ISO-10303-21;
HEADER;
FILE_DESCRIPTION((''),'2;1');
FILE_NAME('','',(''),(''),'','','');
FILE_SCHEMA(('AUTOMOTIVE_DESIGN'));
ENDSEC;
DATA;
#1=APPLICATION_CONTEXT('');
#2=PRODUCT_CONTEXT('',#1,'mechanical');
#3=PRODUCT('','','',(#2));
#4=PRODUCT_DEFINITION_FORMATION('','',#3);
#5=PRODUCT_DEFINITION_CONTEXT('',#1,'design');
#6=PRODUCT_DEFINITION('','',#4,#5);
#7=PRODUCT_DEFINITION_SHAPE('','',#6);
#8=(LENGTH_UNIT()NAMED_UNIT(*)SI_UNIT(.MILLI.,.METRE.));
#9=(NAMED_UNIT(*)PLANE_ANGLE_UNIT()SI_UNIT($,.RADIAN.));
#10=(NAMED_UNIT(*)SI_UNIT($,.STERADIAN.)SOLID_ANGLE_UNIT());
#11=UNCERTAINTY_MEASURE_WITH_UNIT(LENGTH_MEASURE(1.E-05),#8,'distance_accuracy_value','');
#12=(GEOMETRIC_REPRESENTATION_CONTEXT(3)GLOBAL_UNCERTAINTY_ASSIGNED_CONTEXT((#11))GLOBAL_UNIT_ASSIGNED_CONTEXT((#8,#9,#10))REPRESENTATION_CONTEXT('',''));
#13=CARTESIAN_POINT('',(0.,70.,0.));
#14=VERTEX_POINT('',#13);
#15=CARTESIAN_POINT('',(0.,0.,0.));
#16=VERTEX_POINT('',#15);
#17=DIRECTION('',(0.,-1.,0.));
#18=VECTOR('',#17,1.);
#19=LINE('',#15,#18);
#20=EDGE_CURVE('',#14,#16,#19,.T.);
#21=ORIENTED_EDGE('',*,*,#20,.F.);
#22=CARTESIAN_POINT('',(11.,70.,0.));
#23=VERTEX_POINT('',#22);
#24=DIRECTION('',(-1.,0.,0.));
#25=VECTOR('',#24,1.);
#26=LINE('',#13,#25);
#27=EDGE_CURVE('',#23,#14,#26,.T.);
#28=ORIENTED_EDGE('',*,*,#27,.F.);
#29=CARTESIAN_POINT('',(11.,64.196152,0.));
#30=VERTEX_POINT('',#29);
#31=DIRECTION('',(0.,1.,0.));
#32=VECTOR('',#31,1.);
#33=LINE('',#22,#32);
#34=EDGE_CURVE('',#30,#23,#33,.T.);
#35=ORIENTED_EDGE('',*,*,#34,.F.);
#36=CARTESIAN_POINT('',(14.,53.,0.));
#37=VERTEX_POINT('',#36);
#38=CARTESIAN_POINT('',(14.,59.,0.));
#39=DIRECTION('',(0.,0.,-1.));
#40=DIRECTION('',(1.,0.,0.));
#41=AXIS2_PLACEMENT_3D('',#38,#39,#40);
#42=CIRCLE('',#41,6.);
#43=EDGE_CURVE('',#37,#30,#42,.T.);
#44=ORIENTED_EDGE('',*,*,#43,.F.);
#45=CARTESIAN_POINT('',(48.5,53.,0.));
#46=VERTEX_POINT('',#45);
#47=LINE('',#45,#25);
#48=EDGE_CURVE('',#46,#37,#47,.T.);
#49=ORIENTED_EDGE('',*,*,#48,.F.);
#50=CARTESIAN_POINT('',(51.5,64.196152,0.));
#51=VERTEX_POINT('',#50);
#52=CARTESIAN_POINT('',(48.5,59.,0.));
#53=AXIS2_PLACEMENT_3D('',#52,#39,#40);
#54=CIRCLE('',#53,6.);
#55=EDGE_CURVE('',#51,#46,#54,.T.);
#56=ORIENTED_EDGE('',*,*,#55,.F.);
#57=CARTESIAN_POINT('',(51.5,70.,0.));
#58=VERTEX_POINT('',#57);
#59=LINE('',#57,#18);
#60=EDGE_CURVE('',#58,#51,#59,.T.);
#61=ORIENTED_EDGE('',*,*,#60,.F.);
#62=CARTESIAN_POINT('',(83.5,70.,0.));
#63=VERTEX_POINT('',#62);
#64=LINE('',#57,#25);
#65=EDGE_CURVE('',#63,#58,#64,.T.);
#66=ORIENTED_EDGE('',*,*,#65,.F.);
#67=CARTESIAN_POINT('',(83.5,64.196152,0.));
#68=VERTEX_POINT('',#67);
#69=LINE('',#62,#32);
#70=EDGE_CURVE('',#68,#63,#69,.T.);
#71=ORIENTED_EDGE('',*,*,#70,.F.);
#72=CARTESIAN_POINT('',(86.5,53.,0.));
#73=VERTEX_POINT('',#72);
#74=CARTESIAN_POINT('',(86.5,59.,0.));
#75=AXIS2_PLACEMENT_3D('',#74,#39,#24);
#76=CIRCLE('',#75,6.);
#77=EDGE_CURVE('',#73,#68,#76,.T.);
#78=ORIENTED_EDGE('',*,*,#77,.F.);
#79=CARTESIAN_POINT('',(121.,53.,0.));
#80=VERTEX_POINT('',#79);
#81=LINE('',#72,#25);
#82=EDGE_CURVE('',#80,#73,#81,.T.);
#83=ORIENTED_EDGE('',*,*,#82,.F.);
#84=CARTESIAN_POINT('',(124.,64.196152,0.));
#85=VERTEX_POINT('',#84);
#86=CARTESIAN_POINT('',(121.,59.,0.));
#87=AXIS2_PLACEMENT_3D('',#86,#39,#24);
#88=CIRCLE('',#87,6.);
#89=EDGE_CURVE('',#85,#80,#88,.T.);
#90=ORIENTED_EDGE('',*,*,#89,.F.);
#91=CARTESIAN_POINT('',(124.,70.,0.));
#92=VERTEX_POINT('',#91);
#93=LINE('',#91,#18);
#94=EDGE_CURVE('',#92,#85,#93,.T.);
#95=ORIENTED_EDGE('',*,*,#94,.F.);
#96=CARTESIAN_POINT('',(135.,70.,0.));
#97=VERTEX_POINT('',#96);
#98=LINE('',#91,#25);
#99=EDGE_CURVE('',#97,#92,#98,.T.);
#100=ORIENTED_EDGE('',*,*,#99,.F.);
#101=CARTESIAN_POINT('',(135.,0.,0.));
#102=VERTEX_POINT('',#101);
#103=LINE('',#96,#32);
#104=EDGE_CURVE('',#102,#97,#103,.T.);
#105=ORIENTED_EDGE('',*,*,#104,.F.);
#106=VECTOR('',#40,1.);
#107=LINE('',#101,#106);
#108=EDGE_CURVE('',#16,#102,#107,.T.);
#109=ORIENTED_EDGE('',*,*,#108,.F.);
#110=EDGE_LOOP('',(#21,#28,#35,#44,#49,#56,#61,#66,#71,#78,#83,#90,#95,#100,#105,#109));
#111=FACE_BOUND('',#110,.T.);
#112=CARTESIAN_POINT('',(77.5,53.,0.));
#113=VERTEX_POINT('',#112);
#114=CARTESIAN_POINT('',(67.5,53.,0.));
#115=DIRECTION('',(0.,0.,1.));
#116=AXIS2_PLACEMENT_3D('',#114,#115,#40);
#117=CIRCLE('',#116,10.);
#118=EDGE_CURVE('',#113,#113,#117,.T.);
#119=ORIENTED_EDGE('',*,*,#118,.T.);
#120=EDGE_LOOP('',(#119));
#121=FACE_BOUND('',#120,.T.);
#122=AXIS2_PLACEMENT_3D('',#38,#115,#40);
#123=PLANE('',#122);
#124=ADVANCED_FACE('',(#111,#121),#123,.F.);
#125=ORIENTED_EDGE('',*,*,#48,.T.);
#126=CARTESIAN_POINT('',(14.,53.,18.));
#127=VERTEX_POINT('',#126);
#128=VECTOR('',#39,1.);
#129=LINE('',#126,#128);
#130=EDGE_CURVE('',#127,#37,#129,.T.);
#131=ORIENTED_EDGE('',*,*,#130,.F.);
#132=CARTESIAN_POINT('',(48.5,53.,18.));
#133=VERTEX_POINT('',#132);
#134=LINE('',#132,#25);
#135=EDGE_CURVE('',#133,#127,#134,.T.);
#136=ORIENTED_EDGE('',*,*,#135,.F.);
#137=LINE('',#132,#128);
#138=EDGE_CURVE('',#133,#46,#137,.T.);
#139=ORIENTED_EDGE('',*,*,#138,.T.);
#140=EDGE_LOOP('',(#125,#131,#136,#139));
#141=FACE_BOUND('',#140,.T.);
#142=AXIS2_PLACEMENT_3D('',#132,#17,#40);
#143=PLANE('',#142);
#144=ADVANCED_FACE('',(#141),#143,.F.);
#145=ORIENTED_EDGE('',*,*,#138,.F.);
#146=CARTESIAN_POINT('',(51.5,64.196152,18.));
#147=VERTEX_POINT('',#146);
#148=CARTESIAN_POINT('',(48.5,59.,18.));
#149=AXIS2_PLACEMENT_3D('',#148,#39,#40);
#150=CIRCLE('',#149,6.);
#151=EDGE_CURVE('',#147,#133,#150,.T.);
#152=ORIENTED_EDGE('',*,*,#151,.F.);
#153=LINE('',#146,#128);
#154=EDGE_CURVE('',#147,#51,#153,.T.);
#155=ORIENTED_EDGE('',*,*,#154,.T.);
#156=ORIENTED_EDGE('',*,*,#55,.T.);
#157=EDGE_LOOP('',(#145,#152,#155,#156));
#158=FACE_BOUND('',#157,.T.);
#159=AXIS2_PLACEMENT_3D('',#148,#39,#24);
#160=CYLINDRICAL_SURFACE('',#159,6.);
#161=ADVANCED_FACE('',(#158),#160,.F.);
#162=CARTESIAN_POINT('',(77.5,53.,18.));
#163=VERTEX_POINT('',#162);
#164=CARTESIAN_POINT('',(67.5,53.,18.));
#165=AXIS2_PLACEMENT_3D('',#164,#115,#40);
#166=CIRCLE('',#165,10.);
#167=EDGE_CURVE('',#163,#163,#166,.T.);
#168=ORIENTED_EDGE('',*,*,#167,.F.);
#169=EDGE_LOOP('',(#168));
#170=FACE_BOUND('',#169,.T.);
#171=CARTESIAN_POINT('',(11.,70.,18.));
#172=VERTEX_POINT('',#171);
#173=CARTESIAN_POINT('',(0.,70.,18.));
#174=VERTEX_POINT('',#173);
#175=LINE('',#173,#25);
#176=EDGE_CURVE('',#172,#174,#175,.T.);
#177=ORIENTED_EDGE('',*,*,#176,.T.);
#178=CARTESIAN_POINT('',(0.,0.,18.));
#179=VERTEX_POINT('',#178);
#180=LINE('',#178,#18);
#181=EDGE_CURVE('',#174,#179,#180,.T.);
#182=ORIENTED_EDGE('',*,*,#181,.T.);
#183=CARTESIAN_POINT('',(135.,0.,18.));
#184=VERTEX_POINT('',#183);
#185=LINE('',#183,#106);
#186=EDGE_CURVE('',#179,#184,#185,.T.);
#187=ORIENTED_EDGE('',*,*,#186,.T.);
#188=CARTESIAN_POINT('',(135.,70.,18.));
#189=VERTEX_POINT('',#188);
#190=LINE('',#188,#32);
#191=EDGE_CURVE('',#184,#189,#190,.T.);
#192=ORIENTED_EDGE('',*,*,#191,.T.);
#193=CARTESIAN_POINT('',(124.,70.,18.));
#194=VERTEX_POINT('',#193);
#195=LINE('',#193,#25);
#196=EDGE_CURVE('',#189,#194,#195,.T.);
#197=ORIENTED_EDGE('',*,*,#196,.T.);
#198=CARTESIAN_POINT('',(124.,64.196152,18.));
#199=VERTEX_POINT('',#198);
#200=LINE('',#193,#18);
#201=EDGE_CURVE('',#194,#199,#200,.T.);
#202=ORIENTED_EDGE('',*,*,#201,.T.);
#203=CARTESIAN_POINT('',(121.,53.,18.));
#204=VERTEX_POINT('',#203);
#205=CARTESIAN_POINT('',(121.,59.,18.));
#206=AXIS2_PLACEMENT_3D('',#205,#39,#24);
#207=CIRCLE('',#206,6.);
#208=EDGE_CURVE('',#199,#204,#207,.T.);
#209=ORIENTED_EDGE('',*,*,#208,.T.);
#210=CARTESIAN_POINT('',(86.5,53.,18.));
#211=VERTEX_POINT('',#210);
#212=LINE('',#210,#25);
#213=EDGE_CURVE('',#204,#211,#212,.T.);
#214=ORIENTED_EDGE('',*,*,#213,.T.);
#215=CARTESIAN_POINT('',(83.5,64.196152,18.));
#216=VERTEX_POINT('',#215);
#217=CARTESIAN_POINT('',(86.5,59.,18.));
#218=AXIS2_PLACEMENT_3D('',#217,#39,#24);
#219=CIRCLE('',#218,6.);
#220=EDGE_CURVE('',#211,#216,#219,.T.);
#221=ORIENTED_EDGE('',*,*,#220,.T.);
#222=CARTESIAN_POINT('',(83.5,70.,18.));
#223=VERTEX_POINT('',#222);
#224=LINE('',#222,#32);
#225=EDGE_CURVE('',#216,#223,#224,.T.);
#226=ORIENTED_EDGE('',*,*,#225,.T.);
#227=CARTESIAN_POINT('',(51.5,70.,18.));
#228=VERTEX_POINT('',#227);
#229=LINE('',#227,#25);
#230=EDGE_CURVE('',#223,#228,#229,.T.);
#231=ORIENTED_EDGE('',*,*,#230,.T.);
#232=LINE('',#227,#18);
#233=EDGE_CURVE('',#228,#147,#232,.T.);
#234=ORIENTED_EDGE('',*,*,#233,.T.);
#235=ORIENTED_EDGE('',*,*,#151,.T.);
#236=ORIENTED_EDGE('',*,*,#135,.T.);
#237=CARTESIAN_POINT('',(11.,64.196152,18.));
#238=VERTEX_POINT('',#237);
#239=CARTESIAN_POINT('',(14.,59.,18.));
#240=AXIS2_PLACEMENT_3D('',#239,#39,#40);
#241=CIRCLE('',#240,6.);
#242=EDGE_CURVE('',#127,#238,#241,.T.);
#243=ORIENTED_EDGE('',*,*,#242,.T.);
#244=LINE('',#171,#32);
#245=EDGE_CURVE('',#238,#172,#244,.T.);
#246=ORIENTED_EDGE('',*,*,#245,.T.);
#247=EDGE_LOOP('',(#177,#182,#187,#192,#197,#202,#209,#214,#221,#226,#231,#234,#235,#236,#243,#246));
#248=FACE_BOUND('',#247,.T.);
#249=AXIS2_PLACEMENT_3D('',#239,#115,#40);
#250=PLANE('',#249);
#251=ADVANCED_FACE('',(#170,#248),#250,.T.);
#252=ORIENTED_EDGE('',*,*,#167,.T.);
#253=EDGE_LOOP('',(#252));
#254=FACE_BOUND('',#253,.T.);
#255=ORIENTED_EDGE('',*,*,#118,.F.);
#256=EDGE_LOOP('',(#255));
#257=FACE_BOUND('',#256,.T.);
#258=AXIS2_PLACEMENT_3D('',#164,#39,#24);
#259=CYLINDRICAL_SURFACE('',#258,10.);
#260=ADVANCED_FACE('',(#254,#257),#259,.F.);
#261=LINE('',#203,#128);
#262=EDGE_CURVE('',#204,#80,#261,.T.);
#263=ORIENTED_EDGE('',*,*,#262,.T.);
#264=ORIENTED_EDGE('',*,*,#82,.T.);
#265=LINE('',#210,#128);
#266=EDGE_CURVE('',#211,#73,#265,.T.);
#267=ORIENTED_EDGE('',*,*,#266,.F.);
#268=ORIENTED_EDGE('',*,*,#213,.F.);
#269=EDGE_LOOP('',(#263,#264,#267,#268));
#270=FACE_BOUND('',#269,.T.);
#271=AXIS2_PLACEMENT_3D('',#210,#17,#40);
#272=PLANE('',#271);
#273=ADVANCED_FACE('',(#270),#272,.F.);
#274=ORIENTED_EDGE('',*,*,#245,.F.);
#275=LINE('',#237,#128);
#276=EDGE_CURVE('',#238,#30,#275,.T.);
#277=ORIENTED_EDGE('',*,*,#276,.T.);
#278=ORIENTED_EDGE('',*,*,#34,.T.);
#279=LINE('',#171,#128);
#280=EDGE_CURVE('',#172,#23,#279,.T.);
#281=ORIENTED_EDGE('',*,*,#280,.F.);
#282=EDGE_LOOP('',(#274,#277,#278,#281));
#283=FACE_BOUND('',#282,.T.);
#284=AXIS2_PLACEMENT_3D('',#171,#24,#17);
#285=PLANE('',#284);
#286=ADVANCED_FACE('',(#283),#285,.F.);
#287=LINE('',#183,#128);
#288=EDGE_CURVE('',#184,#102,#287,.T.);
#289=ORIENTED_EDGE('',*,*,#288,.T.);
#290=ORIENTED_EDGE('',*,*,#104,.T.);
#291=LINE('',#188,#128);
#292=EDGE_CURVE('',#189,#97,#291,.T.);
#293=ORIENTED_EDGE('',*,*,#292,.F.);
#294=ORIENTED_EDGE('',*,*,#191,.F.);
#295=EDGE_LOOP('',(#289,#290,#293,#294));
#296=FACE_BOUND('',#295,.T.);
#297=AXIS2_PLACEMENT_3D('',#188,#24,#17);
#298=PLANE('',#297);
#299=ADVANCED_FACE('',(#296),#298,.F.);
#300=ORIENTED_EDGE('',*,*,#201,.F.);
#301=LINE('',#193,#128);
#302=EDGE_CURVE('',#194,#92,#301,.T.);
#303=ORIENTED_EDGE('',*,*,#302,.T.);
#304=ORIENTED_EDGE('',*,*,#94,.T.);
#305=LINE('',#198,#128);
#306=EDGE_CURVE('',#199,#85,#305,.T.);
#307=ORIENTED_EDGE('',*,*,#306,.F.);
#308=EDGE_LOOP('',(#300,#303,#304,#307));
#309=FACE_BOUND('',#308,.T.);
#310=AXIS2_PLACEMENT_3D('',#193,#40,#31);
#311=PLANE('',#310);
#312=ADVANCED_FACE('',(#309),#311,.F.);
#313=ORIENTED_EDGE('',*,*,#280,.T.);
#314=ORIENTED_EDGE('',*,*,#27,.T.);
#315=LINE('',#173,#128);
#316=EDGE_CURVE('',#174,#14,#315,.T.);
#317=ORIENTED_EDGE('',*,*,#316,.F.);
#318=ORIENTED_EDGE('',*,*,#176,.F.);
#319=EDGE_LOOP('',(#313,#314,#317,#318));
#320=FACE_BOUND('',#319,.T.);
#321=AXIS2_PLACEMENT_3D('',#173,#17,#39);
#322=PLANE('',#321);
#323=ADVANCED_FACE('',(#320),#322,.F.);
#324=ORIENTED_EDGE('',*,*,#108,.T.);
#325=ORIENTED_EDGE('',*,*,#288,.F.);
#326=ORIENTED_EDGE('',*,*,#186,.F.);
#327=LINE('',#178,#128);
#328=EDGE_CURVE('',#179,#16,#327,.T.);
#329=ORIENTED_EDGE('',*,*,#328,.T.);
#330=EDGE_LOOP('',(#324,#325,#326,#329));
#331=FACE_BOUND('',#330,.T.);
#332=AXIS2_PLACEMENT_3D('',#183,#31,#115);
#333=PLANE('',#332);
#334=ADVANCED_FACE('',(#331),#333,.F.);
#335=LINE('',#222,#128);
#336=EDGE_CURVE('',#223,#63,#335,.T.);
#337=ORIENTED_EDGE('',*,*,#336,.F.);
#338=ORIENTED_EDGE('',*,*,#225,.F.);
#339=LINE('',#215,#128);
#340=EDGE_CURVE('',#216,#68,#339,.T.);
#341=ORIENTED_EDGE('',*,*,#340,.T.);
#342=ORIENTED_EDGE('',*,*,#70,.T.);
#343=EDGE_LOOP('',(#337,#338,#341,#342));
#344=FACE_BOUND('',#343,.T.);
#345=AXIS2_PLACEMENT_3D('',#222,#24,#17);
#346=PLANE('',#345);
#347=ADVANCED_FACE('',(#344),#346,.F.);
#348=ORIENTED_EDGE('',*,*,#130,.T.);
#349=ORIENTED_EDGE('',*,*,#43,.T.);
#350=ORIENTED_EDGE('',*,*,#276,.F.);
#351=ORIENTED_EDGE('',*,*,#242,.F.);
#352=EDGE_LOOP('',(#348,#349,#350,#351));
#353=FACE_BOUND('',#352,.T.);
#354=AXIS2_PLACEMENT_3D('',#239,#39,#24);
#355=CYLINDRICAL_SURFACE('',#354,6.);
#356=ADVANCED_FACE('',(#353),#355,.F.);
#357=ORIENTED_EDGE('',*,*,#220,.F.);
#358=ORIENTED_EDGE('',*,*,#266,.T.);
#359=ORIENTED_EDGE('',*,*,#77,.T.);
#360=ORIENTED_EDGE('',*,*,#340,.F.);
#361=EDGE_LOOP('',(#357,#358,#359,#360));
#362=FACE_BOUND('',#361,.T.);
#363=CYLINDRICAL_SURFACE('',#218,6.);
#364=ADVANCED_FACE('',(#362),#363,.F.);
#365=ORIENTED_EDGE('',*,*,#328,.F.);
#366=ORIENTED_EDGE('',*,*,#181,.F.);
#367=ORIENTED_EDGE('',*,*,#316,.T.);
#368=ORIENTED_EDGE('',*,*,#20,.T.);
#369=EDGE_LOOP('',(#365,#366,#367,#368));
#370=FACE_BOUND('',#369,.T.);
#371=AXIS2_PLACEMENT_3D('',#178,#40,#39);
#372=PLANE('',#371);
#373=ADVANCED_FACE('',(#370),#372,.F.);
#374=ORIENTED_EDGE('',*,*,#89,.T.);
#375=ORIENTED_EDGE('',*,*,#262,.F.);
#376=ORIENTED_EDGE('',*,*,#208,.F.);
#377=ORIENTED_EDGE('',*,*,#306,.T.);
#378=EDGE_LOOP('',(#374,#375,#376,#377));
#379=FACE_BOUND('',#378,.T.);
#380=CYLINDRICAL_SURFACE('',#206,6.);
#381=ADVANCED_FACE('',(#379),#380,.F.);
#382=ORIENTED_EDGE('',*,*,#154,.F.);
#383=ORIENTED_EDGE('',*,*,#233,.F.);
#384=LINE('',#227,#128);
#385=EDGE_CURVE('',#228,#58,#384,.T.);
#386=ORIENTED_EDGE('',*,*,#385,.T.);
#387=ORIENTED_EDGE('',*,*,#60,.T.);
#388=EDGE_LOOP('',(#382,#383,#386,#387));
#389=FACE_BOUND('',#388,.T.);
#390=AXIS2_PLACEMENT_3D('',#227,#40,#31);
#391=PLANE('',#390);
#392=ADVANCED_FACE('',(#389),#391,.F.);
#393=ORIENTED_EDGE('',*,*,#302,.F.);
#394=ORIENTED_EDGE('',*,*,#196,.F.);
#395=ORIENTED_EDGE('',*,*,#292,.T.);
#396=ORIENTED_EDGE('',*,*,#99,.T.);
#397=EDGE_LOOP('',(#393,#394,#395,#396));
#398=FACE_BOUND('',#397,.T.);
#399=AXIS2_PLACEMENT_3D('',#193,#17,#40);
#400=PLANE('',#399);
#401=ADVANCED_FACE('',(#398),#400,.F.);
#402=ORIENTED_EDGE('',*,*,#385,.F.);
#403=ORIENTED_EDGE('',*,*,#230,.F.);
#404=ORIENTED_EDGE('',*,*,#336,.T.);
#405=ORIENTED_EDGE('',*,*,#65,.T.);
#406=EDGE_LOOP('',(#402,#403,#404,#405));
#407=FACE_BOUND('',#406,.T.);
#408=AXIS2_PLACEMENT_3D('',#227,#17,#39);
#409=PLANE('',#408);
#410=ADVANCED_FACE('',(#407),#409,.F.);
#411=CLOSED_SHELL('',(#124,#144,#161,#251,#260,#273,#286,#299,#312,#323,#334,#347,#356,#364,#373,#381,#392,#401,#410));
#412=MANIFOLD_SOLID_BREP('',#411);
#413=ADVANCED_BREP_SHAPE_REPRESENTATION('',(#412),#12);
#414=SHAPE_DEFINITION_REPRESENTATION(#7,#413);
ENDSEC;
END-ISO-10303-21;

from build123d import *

# Parameters (mm, degrees)
CROQUIS1_R              = 10
SALIENTE_EXTRUIR1_DEPTH = 18


with BuildPart() as part:
    # Croquis1 → Saliente-Extruir1 (new body)
    with BuildSketch(Plane.XY):
        with BuildLine():
            Line((0, 0), (0, 70))
            Line((0, 70), (11, 70))
            Line((11, 70), (11, 64.196152423))
            ThreePointArc((11, 64.196152423), (8.204445042, 57.447085729), (14, 53))
            Line((14, 53), (48.5, 53))
            ThreePointArc((48.5, 53), (54.295554958, 57.447085729), (51.5, 64.196152423))
            Line((51.5, 64.196152423), (51.5, 70))
            Line((51.5, 70), (83.5, 70))
            Line((83.5, 70), (83.5, 64.196152423))
            ThreePointArc((83.5, 64.196152423), (80.704445042, 57.447085729), (86.5, 53))
            Line((86.5, 53), (121, 53))
            ThreePointArc((121, 53), (126.795554958, 57.447085729), (124, 64.196152423))
            Line((124, 64.196152423), (124, 70))
            Line((124, 70), (135, 70))
            Line((135, 70), (135, 0))
            Line((135, 0), (0, 0))
        make_face()
        with Locations((67.5, 53)):
            Circle(CROQUIS1_R, mode=Mode.SUBTRACT)
    extrude(amount=SALIENTE_EXTRUIR1_DEPTH)


solid = part.part
